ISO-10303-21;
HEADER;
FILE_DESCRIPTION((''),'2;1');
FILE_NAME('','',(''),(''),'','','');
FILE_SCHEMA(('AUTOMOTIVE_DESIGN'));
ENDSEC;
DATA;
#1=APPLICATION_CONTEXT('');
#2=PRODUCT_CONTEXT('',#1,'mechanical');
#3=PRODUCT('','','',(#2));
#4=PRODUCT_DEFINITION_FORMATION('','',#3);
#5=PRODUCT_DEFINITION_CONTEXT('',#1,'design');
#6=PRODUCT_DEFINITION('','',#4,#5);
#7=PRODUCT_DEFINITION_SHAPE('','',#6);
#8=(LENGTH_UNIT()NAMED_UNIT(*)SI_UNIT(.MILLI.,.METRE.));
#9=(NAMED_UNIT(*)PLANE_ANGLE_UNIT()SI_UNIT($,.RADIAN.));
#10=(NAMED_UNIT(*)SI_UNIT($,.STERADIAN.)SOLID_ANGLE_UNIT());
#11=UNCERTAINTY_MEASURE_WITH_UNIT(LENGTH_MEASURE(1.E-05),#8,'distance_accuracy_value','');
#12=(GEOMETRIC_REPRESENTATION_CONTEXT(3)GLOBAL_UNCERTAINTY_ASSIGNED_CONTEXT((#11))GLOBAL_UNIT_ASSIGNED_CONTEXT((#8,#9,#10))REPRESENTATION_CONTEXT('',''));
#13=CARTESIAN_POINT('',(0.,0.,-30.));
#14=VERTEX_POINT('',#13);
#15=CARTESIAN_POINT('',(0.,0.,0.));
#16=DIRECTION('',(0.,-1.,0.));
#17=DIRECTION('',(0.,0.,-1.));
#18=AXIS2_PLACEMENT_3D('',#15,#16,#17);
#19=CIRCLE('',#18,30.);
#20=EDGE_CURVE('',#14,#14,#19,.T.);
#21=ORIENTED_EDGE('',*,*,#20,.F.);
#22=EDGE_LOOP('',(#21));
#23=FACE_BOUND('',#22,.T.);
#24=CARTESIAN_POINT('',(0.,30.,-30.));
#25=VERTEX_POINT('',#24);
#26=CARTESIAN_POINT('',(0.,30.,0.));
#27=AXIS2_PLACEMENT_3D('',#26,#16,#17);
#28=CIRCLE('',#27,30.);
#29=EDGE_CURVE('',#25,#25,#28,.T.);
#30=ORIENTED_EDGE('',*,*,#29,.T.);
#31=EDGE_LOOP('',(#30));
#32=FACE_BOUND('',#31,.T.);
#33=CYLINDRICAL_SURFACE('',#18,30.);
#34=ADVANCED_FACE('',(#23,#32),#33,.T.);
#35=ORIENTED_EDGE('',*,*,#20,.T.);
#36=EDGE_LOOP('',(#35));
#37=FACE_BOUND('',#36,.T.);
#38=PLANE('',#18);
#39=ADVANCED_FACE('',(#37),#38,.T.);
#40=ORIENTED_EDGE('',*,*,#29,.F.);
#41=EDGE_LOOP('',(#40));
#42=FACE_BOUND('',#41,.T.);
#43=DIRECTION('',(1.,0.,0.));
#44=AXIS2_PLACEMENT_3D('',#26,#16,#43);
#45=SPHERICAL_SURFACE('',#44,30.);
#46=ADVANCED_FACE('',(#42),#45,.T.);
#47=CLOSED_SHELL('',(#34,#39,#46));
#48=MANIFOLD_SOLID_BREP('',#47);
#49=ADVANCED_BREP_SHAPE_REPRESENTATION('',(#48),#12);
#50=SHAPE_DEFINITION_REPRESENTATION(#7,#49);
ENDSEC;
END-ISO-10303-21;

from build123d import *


with BuildPart() as part:
    # Sketch1 → Revolve1 (revolve)
    with BuildSketch(Plane.XY):
        with BuildLine():
            Line((0, 0), (30, 0))
            Line((30, 0), (30, 30))
            ThreePointArc((30, 30), (21.213203436, 51.213203436), (0, 60))
            Line((0, 60), (0, 0))
        make_face()
    revolve(axis=Axis((0, 0, 0), (0, 1, 0)))


solid = part.part
